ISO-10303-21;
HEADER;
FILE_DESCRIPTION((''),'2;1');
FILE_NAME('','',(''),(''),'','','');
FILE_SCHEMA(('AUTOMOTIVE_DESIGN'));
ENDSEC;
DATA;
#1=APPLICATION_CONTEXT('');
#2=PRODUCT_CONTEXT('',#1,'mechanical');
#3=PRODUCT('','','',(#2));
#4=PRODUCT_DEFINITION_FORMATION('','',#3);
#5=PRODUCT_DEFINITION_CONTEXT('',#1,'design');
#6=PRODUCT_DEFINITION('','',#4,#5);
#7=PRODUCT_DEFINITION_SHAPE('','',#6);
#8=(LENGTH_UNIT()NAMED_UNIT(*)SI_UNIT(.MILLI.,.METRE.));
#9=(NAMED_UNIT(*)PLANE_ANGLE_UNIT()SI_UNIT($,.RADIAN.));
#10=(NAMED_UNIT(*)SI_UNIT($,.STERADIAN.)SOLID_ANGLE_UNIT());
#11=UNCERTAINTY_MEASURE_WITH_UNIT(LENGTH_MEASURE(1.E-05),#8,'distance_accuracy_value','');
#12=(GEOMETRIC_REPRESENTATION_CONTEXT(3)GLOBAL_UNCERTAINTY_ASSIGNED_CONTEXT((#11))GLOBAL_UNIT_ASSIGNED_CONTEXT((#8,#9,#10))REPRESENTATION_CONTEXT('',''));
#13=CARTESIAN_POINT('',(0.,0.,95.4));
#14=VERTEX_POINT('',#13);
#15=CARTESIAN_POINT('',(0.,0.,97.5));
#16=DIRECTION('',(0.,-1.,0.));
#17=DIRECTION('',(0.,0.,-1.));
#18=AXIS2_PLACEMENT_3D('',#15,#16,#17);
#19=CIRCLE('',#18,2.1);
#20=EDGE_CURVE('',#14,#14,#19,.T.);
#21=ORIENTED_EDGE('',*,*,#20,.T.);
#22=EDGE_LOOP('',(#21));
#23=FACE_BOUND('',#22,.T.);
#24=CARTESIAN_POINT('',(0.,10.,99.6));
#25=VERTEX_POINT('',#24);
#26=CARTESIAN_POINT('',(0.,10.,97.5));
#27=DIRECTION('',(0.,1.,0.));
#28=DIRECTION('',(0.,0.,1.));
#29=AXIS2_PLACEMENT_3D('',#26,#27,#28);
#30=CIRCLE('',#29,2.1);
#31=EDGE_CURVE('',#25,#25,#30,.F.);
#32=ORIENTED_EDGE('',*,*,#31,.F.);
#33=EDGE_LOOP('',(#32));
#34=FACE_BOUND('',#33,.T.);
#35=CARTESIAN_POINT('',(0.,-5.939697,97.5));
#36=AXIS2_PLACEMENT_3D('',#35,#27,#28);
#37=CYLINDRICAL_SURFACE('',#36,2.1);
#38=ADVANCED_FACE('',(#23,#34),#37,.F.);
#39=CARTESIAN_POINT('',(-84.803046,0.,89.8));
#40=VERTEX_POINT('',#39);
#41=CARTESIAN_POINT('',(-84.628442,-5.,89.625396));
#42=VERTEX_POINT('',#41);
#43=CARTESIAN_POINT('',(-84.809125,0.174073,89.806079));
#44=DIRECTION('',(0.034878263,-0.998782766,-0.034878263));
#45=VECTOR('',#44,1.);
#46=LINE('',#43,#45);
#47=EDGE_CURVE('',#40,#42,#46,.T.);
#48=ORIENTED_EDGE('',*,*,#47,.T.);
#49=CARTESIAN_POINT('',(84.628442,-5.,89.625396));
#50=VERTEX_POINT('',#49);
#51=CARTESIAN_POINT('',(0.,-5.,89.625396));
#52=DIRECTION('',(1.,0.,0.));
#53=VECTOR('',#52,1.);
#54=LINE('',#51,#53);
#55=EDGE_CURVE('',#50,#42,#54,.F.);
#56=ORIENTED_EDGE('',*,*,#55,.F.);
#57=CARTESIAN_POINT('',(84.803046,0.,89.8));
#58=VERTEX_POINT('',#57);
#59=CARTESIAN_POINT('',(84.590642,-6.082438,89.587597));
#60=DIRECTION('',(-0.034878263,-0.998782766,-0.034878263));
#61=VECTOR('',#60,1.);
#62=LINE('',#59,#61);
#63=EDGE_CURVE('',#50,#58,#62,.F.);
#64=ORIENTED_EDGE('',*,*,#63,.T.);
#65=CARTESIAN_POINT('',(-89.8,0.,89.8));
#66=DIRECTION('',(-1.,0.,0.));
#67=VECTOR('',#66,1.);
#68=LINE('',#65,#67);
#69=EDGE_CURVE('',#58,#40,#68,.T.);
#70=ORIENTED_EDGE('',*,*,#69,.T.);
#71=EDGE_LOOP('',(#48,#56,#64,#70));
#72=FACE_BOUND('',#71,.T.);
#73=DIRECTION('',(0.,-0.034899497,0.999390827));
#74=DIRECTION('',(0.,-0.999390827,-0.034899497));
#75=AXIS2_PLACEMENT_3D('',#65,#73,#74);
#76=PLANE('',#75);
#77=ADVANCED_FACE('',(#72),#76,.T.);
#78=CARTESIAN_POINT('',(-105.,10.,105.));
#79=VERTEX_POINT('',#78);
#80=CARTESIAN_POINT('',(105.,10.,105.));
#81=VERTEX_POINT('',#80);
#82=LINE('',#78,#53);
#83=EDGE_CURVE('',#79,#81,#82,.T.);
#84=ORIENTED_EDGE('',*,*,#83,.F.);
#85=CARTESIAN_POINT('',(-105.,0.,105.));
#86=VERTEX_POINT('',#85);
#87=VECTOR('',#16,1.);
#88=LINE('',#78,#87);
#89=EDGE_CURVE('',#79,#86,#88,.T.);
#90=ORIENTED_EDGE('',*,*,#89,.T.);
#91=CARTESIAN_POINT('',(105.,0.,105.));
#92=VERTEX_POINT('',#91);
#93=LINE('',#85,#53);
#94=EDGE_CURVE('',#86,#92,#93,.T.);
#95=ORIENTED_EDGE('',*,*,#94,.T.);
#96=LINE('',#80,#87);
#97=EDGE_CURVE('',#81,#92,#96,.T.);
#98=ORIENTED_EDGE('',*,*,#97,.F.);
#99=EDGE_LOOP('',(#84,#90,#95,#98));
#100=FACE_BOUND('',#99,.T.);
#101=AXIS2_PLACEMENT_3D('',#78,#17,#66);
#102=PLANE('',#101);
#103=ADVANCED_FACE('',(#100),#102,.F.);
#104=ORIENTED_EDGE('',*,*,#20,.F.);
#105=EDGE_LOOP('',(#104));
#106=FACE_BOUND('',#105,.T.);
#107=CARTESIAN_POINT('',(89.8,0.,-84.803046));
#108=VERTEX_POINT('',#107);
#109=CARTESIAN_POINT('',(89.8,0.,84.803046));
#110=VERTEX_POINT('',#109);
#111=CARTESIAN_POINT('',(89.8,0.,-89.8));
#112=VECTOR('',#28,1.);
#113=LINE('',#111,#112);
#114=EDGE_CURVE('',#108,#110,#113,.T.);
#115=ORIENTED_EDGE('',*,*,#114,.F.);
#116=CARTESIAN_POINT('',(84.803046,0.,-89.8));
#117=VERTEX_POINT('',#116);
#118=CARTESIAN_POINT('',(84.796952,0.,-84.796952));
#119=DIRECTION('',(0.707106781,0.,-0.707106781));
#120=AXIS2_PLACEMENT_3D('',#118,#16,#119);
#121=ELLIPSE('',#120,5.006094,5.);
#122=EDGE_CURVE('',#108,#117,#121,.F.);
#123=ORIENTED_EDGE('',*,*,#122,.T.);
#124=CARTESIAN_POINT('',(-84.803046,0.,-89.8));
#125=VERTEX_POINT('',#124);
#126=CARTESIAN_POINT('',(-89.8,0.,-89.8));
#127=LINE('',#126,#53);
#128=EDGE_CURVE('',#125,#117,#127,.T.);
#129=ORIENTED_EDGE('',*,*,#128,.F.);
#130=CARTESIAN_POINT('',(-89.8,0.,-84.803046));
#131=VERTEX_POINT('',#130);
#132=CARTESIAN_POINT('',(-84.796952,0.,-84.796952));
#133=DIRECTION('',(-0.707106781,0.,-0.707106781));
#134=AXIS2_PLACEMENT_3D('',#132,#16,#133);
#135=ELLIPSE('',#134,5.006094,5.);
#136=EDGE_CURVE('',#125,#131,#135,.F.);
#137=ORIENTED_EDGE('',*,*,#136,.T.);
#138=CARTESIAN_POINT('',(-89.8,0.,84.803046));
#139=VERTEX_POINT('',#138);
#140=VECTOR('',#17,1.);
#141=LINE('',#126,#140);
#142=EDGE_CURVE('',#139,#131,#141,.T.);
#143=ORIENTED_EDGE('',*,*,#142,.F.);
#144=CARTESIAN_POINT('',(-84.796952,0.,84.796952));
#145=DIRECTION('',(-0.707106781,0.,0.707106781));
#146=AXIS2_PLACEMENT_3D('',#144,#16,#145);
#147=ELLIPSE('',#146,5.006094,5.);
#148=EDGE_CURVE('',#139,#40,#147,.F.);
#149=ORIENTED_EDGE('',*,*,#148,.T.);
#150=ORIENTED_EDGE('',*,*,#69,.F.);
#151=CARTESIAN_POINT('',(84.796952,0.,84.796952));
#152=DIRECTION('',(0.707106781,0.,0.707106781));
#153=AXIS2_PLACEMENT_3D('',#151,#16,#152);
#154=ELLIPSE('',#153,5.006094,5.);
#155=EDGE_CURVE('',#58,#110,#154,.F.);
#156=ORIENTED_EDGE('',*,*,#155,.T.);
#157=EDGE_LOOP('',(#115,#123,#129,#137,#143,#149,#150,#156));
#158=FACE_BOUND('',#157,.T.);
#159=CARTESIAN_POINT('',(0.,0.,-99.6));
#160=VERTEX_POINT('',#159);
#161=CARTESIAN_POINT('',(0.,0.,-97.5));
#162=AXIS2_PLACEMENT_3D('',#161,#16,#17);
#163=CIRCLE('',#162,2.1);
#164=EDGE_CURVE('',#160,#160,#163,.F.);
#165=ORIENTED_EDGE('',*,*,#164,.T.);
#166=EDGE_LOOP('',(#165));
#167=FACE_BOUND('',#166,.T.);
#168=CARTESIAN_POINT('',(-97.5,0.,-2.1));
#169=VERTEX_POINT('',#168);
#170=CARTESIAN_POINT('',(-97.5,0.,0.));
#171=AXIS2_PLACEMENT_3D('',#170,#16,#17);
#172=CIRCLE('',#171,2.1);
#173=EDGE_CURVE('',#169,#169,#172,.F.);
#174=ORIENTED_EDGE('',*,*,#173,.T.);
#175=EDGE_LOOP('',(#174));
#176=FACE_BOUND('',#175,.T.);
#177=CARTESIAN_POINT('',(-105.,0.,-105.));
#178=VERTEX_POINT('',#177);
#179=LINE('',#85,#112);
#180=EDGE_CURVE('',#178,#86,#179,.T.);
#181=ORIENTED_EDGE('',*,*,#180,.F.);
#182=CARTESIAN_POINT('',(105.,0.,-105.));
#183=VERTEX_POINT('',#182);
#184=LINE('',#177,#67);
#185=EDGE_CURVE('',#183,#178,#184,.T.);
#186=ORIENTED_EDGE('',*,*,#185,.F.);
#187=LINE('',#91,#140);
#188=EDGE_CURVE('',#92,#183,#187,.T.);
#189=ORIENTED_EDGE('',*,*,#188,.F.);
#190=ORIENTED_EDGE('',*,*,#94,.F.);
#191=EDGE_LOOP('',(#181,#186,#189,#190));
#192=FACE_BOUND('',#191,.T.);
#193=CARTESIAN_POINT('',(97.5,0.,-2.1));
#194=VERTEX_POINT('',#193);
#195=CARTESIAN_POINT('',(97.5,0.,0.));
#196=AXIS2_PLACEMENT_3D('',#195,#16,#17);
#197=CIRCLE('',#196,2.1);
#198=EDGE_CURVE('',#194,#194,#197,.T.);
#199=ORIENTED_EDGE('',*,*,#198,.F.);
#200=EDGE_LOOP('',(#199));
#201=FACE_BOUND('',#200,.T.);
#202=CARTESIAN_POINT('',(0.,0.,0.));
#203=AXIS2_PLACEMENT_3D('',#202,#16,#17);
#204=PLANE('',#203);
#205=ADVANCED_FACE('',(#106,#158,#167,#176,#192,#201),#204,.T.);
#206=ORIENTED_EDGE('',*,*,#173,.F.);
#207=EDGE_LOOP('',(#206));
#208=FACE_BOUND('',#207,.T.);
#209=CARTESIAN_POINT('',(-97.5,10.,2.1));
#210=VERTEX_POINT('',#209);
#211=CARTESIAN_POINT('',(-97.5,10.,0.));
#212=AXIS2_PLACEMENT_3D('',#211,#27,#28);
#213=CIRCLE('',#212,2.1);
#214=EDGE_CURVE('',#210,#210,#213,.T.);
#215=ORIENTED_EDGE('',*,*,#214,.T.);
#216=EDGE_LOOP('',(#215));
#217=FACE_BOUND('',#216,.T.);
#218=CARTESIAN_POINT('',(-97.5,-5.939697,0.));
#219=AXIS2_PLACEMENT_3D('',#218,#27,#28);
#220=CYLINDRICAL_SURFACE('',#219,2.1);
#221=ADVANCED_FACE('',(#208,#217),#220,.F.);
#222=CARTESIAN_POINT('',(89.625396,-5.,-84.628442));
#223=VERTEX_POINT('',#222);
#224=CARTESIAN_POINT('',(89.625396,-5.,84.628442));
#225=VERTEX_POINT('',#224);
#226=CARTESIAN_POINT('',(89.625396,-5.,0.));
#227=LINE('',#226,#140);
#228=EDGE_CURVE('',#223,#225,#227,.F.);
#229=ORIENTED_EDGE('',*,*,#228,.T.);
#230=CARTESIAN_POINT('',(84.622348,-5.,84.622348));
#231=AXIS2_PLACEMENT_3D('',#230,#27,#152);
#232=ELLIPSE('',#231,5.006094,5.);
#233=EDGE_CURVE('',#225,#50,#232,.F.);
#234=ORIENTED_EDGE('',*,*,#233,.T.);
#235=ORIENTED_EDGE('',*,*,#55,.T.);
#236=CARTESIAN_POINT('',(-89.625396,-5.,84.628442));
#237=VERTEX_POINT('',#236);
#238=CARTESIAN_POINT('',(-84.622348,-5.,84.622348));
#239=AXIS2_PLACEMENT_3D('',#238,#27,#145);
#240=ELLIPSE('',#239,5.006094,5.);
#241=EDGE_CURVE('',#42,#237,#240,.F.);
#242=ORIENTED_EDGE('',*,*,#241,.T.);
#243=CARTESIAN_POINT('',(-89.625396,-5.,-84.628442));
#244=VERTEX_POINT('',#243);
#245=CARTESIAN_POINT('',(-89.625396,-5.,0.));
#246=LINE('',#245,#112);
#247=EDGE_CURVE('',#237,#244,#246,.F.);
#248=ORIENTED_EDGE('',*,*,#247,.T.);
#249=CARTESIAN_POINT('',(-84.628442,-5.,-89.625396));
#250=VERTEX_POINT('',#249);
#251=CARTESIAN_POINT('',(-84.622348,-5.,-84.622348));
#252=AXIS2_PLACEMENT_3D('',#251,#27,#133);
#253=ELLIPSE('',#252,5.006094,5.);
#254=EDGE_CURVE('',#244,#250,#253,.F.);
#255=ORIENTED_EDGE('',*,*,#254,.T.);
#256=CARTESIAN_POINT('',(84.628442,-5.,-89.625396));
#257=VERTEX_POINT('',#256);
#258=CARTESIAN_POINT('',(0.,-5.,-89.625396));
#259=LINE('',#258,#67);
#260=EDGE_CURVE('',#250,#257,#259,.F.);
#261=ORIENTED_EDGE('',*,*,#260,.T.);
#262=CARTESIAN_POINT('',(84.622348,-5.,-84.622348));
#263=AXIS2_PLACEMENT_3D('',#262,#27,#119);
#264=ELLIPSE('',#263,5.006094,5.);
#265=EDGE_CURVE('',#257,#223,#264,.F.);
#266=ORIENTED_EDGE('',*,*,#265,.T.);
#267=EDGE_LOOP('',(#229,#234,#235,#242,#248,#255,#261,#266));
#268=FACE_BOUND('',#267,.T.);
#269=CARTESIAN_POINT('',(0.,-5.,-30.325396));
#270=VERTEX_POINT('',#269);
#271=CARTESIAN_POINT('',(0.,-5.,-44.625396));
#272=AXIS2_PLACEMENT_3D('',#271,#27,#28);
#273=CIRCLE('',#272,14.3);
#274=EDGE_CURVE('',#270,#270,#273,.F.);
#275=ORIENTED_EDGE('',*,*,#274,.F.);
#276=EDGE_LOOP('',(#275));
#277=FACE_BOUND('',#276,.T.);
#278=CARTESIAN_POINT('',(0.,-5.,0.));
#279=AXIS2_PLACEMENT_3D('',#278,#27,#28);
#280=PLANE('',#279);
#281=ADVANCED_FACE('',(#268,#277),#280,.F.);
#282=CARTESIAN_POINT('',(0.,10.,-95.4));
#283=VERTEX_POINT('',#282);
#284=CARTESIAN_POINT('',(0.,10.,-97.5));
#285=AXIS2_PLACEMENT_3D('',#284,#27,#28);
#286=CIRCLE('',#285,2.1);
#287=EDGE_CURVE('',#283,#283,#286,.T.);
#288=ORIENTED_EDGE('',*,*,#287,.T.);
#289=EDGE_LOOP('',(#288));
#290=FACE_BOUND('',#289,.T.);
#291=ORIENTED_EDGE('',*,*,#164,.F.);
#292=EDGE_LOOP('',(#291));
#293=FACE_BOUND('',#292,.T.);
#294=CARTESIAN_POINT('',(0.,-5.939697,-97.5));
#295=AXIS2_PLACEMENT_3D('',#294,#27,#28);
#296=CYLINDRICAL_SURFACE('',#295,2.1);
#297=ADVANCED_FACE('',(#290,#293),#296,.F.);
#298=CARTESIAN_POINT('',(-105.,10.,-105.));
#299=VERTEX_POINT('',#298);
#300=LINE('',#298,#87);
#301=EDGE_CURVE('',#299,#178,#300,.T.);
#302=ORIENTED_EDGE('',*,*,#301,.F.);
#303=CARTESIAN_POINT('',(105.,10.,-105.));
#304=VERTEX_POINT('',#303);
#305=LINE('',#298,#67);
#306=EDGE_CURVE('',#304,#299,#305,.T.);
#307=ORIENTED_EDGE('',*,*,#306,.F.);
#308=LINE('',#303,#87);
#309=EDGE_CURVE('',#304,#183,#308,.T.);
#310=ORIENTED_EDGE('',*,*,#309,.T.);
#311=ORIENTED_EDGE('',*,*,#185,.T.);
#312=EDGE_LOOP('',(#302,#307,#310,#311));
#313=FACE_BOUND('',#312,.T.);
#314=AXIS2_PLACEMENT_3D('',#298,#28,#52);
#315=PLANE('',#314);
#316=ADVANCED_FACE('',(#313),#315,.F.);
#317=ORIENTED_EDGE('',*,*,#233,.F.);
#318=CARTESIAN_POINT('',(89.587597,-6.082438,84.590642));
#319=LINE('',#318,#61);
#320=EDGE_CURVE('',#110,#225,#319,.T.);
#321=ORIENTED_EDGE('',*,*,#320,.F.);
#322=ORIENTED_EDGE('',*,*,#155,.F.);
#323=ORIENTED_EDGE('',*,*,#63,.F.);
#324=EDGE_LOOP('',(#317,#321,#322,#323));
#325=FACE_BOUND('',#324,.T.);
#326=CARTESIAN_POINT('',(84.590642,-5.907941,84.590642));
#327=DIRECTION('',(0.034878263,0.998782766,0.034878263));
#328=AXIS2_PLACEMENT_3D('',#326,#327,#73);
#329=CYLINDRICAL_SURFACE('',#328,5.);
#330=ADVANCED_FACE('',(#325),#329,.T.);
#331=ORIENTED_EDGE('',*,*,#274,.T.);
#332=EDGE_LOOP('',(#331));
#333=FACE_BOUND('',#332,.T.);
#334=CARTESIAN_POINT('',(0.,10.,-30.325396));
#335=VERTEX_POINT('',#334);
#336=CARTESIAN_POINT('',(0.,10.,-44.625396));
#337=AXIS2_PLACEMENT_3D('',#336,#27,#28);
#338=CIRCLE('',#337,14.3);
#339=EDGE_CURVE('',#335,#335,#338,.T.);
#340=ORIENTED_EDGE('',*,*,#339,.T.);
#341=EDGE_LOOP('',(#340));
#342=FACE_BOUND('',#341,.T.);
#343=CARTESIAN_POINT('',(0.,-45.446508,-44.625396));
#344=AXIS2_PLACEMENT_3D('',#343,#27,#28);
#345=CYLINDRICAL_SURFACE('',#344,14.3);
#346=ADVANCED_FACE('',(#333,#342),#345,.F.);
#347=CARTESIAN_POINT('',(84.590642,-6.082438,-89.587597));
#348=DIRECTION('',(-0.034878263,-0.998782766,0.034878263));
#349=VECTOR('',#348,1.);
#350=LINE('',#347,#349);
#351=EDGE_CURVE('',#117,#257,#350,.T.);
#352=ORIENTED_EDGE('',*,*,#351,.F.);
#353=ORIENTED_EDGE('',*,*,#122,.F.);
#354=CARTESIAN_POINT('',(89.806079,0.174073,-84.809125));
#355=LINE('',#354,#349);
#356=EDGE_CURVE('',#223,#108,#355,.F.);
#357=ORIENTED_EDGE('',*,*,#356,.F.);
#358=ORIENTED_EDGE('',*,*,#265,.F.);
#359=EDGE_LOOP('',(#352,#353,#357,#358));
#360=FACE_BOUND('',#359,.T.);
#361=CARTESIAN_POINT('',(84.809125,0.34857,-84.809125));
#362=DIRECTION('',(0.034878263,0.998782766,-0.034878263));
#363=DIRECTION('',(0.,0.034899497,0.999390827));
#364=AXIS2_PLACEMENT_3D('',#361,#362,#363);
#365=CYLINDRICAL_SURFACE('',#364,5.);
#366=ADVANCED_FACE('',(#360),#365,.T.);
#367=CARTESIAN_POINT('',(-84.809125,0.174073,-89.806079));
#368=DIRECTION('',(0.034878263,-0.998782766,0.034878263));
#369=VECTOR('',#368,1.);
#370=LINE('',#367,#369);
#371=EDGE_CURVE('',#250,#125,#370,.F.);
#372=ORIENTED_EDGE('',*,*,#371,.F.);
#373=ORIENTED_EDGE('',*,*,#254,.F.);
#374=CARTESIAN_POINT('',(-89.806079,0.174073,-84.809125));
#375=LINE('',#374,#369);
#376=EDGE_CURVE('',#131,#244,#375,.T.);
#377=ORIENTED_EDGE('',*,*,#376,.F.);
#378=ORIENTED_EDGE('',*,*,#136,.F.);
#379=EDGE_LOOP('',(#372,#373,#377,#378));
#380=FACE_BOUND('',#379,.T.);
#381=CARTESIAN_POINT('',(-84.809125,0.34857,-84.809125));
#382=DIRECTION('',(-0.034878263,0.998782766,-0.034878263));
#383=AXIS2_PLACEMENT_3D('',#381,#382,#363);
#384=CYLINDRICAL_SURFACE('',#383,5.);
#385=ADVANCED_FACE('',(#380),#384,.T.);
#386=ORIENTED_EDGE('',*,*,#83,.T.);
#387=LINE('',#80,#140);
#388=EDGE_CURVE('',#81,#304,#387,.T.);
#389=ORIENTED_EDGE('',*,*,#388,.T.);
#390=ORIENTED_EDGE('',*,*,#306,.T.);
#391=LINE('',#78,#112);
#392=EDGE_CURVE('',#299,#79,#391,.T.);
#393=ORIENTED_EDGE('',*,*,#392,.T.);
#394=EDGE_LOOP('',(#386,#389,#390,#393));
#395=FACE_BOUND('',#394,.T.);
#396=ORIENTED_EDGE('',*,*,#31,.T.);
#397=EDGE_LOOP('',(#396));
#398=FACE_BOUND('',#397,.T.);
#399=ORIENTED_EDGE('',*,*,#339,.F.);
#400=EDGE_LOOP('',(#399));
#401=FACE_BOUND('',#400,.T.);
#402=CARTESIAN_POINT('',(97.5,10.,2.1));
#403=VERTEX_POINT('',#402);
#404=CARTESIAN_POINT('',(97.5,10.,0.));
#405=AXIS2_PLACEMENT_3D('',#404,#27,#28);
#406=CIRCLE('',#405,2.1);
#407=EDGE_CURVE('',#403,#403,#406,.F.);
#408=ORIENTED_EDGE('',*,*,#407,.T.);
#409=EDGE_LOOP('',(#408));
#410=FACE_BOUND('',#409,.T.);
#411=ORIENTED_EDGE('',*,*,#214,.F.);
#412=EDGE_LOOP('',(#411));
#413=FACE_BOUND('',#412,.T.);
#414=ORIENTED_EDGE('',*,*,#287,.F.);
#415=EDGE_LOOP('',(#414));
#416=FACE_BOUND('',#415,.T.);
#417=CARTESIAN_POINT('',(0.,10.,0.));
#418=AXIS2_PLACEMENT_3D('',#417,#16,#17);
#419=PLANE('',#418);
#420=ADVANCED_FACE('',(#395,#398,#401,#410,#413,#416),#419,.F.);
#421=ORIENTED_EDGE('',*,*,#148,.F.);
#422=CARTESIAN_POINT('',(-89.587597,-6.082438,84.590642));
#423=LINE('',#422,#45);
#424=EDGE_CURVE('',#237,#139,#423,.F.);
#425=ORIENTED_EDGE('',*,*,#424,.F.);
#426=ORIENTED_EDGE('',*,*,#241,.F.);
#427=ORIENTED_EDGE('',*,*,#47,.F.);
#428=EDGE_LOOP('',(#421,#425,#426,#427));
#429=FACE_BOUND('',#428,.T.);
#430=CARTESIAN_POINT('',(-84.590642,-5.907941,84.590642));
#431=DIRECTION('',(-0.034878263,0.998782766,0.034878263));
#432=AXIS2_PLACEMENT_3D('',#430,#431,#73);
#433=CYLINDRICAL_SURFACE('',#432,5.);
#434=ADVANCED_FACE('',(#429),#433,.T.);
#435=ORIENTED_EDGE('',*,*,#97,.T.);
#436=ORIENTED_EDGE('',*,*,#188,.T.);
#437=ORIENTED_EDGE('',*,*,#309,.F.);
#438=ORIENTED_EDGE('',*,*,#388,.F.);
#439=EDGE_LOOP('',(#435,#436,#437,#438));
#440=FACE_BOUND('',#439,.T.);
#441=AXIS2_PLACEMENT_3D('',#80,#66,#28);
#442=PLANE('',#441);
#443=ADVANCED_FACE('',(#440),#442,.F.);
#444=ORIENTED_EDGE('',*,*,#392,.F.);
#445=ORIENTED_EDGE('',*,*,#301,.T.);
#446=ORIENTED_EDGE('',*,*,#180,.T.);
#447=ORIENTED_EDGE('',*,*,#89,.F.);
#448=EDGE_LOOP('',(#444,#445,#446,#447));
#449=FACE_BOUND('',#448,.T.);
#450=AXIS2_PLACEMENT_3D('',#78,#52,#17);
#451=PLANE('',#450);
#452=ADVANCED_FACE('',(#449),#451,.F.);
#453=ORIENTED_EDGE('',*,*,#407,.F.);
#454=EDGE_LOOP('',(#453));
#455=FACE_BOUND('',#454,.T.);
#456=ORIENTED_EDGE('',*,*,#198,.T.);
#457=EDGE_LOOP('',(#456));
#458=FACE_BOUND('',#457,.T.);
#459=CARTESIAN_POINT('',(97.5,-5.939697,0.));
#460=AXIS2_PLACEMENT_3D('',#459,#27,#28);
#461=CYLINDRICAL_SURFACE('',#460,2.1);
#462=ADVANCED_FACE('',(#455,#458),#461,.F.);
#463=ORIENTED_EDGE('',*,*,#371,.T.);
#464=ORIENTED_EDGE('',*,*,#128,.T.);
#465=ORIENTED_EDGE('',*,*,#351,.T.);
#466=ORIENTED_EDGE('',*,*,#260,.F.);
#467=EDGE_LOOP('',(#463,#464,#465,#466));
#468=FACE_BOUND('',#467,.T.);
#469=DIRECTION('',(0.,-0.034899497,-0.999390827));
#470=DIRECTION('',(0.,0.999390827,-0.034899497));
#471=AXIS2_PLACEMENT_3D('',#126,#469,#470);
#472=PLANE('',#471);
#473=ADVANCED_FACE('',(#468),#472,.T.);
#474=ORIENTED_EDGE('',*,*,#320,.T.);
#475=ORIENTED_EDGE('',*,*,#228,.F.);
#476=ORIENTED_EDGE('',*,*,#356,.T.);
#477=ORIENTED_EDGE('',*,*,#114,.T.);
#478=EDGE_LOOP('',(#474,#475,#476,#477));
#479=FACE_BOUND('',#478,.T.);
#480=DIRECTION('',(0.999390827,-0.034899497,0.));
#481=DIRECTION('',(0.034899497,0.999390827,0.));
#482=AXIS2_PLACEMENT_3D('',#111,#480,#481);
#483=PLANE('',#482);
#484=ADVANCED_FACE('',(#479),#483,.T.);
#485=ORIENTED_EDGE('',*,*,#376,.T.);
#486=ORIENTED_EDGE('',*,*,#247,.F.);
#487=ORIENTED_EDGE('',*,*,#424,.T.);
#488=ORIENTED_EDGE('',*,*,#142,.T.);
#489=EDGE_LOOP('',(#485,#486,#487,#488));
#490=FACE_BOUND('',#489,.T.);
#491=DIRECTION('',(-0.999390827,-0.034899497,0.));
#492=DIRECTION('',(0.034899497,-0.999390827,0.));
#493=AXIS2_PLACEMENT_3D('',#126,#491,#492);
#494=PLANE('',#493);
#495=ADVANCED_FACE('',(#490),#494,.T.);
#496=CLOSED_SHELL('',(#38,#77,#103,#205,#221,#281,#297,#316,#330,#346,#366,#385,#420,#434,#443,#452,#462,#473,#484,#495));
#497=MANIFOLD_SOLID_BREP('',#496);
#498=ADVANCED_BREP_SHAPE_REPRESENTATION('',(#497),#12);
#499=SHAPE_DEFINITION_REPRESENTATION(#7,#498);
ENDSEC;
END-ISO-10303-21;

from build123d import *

# Parameters (mm, degrees)
SKETCH2_W           = 210
SKETCH2_H           = 210
BOSS_EXTRUDE1_DEPTH = 10
SKETCH3_W           = 179.6
SKETCH3_H           = 179.6
BOSS_EXTRUDE2_DEPTH = 5
BOSS_EXTRUDE2_TAPER = 2
SKETCH4_R           = 14.3
CUT_EXTRUDE1_DEPTH  = 15
SKETCH6_R           = 2.1
CUT_EXTRUDE2_DEPTH  = 10
FILLET1_R           = 5


with BuildPart() as part:
    # Sketch2 → Boss-Extrude1 (new body)
    with BuildSketch(Plane(origin=(0, 0, 0), x_dir=(1, 0, 0), z_dir=(0, 1, 0))):
        Rectangle(SKETCH2_W, SKETCH2_H)
    extrude(amount=BOSS_EXTRUDE1_DEPTH)

    # Sketch3 → Boss-Extrude2 (add)
    with BuildSketch(Plane.XZ):
        Rectangle(SKETCH3_W, SKETCH3_H)
    extrude(amount=BOSS_EXTRUDE2_DEPTH, taper=BOSS_EXTRUDE2_TAPER)

    # Sketch4 → Cut-Extrude1 (cut)
    with BuildSketch(Plane(origin=(0, 10, 0), x_dir=(1, 0, 0), z_dir=(0, 1, 0))):
        with Locations((0, 44.625396153)):
            Circle(SKETCH4_R)
    extrude(amount=-CUT_EXTRUDE1_DEPTH, mode=Mode.SUBTRACT)

    # Sketch6 → Cut-Extrude2 (cut)
    with BuildSketch(Plane(origin=(0, 10, 0), x_dir=(1, 0, 0), z_dir=(0, 1, 0))):
        with Locations((0, 97.5)):
            Circle(SKETCH6_R)
        with Locations((-97.5, 0)):
            Circle(SKETCH6_R)
        with Locations((0, -97.5)):
            Circle(SKETCH6_R)
        with Locations((97.5, 0)):
            Circle(SKETCH6_R)
        with Locations((0, 97.5)):
            Circle(SKETCH6_R)
        with Locations((0, 97.5)):
            Circle(SKETCH6_R)
        with Locations((0, 97.5)):
            Circle(SKETCH6_R)
    extrude(amount=-CUT_EXTRUDE2_DEPTH, mode=Mode.SUBTRACT)

    # Fillet1
    fillet1_edges = [part.edges().sort_by_distance(p)[0] for p in [
        (89.712698076, -2.5, -89.712698076),
        (89.712698076, -2.5, 89.712698076),
        (-89.712698076, -2.5, 89.712698076),
        (-89.712698076, -2.5, -89.712698076),
    ]]
    fillet(fillet1_edges, radius=FILLET1_R)


solid = part.part
